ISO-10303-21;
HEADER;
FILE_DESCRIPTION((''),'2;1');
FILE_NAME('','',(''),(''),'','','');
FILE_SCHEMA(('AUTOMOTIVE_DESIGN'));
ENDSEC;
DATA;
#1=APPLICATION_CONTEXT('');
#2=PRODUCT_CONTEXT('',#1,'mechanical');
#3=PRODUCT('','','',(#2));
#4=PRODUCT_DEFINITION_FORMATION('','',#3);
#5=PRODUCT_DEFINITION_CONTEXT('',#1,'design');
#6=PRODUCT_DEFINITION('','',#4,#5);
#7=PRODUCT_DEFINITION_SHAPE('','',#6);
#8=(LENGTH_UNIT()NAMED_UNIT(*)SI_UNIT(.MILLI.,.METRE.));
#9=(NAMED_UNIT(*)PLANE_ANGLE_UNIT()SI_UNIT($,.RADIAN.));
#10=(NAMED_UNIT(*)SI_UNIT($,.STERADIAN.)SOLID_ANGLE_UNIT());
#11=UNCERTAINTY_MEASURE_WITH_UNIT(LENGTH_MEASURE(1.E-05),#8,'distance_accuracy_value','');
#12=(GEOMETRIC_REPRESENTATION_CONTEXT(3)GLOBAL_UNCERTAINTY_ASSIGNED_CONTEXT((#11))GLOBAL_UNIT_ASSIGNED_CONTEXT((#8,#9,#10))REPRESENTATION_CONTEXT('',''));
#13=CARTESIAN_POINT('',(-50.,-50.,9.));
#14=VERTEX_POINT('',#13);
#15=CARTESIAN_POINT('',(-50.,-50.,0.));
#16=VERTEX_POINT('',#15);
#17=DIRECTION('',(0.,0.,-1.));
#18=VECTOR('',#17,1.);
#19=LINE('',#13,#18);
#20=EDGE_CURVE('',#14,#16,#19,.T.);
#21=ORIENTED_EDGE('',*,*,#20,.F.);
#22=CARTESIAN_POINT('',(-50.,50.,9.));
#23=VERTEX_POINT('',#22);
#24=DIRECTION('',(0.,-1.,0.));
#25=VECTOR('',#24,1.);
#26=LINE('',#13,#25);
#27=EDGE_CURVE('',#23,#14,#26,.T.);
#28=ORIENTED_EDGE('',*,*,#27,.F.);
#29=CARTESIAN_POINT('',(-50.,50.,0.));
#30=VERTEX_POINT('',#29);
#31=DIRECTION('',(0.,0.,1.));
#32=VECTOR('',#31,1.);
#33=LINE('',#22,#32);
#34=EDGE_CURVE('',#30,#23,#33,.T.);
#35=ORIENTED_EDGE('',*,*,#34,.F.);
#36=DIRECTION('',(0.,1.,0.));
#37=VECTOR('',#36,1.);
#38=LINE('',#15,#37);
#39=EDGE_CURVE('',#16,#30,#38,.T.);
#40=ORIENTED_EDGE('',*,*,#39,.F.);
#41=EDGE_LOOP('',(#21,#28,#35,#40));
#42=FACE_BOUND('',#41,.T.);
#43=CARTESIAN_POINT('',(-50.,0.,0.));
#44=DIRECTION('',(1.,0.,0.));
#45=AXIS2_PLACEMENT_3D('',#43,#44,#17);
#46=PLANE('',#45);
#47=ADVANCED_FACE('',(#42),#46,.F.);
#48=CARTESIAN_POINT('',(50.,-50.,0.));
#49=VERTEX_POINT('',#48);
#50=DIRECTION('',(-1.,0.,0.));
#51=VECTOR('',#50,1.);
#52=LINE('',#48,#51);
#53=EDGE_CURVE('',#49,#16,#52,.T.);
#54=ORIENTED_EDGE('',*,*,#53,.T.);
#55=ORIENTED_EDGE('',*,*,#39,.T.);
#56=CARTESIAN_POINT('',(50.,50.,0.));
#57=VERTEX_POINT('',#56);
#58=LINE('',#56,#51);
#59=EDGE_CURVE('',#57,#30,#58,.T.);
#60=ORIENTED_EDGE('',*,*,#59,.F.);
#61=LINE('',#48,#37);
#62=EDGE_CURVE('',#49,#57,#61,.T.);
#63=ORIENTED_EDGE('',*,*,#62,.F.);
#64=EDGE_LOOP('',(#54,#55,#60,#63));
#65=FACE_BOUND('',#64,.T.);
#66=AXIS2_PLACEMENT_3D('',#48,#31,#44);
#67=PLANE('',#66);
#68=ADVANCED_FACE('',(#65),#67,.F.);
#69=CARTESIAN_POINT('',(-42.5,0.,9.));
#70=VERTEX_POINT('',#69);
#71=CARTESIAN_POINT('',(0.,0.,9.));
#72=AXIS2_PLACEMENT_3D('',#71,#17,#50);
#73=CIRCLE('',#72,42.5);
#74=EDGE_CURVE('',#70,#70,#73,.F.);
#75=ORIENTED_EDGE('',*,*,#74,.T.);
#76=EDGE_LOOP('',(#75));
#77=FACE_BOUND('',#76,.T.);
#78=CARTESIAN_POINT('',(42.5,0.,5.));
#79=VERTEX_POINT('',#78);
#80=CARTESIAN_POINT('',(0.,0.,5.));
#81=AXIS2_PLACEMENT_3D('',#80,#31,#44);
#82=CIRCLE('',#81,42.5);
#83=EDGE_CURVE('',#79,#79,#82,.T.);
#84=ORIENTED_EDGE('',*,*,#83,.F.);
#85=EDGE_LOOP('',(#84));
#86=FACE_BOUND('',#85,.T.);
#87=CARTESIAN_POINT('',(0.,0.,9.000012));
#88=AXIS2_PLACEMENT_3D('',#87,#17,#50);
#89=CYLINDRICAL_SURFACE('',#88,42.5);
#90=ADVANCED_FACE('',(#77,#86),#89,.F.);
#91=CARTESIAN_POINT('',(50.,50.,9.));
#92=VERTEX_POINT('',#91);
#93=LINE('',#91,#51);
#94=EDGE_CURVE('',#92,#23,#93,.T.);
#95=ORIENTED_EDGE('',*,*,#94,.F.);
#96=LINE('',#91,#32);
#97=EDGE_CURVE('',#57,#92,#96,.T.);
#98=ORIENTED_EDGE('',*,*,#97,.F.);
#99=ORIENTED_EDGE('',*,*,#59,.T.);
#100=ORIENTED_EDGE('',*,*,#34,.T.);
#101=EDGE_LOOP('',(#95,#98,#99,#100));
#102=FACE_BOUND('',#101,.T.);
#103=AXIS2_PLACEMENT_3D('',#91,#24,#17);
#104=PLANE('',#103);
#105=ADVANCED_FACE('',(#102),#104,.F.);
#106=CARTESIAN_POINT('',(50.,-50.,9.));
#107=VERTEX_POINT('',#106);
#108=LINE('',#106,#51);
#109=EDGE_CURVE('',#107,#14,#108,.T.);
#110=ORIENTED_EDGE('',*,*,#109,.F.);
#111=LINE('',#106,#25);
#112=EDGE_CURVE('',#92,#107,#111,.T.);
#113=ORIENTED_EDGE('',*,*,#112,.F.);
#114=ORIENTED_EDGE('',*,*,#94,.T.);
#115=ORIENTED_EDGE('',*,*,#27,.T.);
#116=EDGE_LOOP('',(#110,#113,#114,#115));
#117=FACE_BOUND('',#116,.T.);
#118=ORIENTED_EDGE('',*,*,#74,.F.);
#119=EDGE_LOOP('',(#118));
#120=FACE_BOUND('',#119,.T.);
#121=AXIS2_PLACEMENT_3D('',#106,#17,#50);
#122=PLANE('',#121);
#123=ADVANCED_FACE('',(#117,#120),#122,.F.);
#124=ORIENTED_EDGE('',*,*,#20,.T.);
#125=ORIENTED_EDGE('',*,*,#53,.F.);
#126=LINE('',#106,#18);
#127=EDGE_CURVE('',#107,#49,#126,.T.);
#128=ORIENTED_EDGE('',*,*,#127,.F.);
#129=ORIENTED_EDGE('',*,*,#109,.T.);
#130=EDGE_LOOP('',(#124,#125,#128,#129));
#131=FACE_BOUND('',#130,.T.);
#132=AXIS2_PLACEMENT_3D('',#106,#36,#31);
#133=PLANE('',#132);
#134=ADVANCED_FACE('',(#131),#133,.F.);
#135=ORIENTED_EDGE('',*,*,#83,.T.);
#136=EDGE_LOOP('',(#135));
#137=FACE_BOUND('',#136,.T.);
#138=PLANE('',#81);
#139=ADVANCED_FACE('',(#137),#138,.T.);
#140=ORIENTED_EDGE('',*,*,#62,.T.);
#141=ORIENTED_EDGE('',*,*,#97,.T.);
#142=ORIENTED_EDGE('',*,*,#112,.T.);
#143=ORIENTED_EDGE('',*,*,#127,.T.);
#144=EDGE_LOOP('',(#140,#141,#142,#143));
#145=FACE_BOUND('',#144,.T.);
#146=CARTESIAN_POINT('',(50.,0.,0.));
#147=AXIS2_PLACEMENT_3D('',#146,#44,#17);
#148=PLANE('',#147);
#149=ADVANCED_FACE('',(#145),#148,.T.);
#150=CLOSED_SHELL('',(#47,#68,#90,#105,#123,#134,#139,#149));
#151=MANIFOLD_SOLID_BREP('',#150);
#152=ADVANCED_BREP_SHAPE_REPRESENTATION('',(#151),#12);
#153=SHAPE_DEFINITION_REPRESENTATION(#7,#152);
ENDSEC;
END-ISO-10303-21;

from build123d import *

# Parameters (mm, degrees)
SKETCH4_W               = 100
SKETCH4_H               = 9
BOSS_EXTRUDE3_DEPTH     = 50
SKETCH5_R               = 42.5
CUT_EXTRUDE1_DEPTH      = 1
CUT_EXTRUDE1_DEPTH_BACK = 4


with BuildPart() as part:
    # Sketch4 → Boss-Extrude3 (new body, symmetric)
    with BuildSketch(Plane.YZ):
        with Locations((0, 4.5)):
            Rectangle(SKETCH4_W, SKETCH4_H)
    extrude(amount=BOSS_EXTRUDE3_DEPTH, both=True)

    # Sketch5 → Cut-Extrude1 (cut, two sides)
    with BuildSketch(Plane.XY.offset(9)) as cut_extrude1_sk:
        Circle(SKETCH5_R)
    extrude(amount=CUT_EXTRUDE1_DEPTH, mode=Mode.SUBTRACT)
    extrude(cut_extrude1_sk.sketch, amount=-CUT_EXTRUDE1_DEPTH_BACK, mode=Mode.SUBTRACT)


solid = part.part
